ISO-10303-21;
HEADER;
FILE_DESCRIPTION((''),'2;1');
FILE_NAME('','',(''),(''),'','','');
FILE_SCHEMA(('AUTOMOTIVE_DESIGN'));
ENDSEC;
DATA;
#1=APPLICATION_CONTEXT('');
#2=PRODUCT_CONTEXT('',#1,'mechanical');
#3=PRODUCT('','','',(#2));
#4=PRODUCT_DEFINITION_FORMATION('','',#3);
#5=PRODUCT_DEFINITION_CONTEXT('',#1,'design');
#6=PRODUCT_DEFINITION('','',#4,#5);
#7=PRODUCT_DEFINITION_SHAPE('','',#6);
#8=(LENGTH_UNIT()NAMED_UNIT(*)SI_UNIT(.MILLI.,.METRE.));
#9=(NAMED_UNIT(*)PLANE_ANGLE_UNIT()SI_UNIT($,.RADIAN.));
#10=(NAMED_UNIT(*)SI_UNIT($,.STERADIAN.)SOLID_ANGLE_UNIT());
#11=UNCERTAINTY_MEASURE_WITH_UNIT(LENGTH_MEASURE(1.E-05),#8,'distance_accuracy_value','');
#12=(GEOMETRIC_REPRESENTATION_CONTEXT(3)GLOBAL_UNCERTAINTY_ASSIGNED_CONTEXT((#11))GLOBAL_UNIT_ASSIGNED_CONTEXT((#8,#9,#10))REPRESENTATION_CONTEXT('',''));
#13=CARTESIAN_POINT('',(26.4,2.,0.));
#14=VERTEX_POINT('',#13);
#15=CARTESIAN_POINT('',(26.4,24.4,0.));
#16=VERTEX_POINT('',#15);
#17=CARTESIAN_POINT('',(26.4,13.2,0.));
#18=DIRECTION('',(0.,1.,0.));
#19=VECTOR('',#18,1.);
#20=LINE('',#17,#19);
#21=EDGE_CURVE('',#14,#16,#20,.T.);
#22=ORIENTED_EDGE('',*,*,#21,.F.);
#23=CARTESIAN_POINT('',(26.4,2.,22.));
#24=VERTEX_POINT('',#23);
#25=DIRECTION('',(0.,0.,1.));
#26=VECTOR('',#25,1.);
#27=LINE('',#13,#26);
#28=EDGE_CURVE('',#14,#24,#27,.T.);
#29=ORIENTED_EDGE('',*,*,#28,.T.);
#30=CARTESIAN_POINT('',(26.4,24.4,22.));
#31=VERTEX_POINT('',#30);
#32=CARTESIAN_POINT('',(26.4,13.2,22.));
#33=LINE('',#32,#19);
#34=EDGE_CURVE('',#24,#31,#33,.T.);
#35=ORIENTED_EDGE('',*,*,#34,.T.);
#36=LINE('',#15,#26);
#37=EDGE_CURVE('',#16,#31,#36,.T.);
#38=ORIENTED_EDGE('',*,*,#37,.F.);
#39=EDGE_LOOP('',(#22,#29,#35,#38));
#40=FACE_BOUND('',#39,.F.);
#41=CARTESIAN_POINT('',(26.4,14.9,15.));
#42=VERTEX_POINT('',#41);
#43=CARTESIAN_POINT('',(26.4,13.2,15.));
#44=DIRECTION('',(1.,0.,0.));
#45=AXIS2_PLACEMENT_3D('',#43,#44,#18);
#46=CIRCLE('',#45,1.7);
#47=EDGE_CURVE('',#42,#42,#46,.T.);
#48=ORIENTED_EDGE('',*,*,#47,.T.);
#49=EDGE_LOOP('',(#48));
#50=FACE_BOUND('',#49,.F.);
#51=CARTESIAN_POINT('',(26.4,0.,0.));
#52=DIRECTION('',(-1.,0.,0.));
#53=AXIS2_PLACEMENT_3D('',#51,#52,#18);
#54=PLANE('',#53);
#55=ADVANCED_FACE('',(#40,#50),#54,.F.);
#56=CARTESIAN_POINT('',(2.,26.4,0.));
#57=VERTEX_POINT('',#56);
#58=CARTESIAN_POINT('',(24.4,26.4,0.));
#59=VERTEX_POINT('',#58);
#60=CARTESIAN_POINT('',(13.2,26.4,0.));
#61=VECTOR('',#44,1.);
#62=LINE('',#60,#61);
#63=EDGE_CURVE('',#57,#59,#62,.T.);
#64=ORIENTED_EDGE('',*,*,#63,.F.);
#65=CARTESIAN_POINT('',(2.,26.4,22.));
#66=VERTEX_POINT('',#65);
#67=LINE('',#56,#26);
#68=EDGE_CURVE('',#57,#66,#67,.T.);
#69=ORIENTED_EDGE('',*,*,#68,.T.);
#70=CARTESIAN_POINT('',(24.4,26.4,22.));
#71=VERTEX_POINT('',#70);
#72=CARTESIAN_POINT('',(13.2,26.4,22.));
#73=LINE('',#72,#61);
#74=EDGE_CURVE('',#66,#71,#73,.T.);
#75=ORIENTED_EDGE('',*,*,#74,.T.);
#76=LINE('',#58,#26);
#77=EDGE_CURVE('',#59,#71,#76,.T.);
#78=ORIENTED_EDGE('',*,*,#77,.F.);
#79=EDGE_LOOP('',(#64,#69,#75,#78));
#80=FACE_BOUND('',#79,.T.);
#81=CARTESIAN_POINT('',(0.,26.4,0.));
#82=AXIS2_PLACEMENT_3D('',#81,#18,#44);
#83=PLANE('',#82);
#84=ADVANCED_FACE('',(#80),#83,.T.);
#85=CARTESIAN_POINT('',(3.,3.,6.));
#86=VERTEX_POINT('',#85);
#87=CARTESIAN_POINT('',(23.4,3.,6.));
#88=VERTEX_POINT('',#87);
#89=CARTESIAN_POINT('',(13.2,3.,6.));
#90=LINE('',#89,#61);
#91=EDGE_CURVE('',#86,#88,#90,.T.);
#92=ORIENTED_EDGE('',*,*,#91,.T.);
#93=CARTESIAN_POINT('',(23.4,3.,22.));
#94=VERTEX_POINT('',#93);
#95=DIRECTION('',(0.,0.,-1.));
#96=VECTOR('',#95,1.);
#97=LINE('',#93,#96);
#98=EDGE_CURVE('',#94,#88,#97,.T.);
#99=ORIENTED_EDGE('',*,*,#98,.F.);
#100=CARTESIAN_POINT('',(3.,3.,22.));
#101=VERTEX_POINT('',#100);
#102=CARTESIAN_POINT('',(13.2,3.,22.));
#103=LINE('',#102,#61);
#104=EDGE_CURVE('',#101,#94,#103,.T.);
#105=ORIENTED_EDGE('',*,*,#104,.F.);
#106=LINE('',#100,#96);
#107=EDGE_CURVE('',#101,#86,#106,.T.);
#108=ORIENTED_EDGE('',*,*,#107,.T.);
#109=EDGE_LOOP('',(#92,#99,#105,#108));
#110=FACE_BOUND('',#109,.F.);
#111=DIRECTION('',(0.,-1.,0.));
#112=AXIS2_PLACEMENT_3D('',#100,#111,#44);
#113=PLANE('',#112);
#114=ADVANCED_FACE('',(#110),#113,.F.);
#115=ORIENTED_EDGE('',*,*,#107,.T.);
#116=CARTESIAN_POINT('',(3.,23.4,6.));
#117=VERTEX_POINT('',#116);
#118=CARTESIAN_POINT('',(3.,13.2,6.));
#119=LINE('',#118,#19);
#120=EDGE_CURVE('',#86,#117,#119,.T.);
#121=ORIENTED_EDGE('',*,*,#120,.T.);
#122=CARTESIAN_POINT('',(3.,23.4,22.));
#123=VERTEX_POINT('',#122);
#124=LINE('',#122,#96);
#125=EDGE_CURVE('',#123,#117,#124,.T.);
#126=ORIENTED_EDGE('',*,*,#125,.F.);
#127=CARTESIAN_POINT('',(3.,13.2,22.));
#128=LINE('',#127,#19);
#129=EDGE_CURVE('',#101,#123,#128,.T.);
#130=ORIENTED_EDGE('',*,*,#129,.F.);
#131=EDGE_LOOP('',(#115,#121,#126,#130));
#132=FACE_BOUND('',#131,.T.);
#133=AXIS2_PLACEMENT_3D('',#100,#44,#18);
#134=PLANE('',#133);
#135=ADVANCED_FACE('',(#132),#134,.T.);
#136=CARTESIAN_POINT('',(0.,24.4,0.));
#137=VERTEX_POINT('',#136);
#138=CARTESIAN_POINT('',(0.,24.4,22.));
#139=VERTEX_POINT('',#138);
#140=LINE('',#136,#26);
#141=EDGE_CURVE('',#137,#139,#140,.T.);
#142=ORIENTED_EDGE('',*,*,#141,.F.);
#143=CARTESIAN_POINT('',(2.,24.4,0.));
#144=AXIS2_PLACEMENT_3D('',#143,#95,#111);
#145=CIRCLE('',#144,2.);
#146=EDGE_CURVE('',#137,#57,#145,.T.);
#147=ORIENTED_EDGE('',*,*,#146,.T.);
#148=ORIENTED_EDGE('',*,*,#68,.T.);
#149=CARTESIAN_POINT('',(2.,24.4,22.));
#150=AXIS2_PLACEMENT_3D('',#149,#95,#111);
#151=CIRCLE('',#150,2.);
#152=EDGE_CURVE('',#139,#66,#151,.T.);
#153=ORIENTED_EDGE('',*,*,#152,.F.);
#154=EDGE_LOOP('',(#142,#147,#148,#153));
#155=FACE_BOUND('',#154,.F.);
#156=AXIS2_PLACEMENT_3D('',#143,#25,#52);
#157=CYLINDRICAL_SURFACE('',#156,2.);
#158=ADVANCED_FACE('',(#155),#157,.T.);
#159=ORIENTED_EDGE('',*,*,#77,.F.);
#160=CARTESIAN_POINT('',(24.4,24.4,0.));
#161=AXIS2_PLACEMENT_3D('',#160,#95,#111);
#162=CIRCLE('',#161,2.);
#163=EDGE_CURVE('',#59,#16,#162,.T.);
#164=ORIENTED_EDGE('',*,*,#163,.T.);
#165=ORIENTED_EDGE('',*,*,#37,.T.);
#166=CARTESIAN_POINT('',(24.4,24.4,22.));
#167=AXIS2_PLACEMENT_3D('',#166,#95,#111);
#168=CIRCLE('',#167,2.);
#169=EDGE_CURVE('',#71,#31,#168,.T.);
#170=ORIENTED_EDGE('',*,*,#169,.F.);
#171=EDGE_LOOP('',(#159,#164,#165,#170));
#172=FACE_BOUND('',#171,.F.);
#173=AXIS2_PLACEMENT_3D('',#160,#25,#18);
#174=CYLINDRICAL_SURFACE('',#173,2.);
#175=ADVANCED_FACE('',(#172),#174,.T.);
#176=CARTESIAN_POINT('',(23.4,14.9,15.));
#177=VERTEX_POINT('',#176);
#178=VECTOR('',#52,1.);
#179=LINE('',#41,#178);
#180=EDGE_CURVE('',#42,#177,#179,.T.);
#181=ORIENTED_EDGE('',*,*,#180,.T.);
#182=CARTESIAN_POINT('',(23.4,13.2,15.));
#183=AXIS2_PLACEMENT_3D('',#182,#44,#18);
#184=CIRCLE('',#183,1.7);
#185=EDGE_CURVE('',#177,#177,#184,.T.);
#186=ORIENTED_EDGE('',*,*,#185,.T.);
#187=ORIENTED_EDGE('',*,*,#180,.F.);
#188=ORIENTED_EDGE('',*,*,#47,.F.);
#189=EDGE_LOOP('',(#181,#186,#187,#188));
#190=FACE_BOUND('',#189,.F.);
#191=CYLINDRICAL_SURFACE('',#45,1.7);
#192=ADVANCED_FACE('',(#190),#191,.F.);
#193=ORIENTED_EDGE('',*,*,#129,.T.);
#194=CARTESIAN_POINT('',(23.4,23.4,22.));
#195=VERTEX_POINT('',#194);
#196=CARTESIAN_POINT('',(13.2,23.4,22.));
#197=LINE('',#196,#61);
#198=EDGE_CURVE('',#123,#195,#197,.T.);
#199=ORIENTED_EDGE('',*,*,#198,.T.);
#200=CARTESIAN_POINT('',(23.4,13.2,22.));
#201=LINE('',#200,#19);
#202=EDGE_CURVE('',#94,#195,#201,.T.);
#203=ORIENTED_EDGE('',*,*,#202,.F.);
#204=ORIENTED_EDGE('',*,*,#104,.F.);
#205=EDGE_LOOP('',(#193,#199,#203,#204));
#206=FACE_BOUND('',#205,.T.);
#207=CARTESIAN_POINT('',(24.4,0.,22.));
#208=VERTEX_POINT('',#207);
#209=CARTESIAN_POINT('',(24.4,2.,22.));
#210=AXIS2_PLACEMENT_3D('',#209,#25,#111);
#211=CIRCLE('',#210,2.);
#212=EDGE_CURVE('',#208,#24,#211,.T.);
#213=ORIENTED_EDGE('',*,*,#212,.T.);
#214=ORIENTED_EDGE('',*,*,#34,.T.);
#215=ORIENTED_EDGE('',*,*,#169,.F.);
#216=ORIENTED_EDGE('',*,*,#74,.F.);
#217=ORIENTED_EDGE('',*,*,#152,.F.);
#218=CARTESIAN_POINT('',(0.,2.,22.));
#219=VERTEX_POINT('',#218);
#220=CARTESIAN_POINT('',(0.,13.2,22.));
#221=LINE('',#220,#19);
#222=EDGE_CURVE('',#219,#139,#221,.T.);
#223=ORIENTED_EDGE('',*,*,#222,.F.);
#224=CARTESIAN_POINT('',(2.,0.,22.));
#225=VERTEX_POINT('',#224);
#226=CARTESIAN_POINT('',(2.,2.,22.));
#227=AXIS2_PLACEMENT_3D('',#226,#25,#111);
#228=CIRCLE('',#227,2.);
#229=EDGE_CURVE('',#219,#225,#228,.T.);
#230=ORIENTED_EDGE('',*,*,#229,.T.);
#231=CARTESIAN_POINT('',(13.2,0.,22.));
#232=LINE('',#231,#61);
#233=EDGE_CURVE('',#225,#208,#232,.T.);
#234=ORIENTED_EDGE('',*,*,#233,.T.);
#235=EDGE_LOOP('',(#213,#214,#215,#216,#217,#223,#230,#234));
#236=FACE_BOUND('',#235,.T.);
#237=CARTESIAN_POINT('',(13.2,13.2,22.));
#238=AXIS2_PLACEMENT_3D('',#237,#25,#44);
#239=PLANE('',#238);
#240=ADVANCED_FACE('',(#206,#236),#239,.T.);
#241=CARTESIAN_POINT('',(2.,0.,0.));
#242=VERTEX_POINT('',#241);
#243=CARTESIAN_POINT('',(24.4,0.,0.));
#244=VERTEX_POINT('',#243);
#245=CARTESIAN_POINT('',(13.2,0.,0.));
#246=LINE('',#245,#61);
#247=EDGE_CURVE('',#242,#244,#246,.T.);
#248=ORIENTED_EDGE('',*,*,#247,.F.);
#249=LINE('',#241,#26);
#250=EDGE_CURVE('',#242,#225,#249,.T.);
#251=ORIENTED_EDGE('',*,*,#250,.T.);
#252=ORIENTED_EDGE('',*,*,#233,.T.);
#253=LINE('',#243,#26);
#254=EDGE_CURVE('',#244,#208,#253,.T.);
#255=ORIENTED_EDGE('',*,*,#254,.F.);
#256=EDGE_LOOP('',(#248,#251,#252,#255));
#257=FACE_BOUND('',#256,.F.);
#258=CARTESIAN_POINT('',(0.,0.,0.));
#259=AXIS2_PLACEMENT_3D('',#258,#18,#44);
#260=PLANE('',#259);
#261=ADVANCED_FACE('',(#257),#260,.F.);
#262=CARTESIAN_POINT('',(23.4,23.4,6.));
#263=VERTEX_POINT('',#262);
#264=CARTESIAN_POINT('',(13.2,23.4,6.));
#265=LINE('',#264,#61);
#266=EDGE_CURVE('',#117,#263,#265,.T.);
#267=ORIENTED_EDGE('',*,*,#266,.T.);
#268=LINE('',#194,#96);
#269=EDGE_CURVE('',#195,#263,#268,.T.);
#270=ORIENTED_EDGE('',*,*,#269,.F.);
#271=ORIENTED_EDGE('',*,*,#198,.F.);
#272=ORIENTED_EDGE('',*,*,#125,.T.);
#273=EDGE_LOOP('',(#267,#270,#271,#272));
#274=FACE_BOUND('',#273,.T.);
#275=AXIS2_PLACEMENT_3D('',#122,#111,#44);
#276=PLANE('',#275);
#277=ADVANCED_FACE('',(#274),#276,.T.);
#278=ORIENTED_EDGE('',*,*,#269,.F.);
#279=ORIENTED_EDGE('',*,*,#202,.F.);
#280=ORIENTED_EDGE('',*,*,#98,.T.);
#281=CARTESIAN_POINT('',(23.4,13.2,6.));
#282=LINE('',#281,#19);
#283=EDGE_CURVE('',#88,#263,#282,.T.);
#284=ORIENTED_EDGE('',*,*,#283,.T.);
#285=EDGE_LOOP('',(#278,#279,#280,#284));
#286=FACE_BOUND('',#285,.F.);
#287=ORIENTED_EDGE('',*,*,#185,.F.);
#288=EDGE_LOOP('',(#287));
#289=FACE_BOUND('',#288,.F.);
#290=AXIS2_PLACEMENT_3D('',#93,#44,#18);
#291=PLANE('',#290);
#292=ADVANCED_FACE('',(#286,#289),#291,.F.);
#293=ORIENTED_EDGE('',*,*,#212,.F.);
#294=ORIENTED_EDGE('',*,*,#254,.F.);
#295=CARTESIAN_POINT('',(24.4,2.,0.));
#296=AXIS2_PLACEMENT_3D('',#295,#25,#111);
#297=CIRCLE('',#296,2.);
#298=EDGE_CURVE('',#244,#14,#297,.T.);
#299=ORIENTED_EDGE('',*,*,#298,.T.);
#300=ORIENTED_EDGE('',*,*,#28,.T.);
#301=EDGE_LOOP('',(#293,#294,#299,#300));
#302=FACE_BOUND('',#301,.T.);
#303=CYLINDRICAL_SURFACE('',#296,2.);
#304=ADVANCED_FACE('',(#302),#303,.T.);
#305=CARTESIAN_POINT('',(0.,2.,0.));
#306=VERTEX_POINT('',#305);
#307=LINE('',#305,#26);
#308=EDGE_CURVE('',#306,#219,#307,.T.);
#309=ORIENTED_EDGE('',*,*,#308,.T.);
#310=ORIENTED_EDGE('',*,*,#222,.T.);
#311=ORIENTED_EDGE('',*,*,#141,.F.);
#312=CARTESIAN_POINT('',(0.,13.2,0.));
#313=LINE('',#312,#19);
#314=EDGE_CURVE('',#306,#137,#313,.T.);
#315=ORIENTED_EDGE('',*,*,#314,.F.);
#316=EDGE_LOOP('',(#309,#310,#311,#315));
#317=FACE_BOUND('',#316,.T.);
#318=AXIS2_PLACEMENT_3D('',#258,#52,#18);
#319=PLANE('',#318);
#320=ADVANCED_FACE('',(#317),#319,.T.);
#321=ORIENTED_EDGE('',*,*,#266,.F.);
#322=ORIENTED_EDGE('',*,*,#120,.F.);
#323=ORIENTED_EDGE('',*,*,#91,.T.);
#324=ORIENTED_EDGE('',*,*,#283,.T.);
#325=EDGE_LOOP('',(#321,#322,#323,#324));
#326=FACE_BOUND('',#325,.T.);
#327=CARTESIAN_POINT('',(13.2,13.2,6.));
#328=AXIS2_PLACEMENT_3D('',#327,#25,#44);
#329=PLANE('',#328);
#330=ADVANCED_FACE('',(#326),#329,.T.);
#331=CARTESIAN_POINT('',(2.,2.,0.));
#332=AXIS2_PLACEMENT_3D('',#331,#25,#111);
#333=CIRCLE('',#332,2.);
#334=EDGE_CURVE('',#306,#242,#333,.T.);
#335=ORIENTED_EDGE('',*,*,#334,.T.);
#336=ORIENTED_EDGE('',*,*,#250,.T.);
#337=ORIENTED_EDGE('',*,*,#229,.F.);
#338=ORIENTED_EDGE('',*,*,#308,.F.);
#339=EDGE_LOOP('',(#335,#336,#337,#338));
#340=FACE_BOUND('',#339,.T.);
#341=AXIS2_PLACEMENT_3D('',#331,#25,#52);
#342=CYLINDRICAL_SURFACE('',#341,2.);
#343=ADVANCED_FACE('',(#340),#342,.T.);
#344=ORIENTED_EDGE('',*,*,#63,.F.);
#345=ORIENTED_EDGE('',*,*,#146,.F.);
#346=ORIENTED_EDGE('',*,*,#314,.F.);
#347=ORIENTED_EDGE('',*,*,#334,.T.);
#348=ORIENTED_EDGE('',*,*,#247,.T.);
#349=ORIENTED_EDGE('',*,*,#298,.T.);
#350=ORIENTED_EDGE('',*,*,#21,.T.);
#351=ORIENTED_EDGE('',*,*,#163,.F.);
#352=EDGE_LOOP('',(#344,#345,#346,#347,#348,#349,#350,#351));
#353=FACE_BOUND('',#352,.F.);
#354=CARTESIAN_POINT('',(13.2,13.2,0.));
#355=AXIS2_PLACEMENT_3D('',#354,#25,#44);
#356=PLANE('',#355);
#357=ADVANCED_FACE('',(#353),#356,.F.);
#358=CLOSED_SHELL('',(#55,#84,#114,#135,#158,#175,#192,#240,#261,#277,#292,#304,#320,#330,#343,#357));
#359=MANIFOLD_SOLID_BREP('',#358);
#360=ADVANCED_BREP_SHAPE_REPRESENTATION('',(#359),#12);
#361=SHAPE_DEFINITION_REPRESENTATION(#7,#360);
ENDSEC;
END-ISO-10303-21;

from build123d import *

# Parameters (mm, degrees)
BOX_W           = 26.4
BOX_H           = 26.4
BOX_DEPTH       = 22
SKETCH_W        = 20.4
SKETCH_H        = 20.4
POCKET_DEPTH    = 16
FILLET_R        = 2
SKETCH001_R     = 1.7
POCKET001_DEPTH = 5


with BuildPart() as part:
    # Box → Box (new body)
    with BuildSketch(Plane.XY):
        with Locations((13.2, 13.2)):
            Rectangle(BOX_W, BOX_H)
    extrude(amount=BOX_DEPTH)

    # Sketch → Pocket (cut)
    with BuildSketch(Plane.XY.offset(22)):
        with Locations((13.2, 13.2)):
            Rectangle(SKETCH_W, SKETCH_H)
    extrude(amount=-POCKET_DEPTH, mode=Mode.SUBTRACT)

    # Fillet
    fillet_edges = [part.edges().sort_by_distance(p)[0] for p in [
        (0, 26.4, 11),
        (26.4, 26.4, 11),
        (26.4, 0, 11),
        (0, 0, 11),
    ]]
    fillet(fillet_edges, radius=FILLET_R)

    # Sketch001 → Pocket001 (cut)
    with BuildSketch(Plane.YZ.offset(26.4)):
        with Locations((13.2, 15)):
            Circle(SKETCH001_R)
    extrude(amount=-POCKET001_DEPTH, mode=Mode.SUBTRACT)


solid = part.part
